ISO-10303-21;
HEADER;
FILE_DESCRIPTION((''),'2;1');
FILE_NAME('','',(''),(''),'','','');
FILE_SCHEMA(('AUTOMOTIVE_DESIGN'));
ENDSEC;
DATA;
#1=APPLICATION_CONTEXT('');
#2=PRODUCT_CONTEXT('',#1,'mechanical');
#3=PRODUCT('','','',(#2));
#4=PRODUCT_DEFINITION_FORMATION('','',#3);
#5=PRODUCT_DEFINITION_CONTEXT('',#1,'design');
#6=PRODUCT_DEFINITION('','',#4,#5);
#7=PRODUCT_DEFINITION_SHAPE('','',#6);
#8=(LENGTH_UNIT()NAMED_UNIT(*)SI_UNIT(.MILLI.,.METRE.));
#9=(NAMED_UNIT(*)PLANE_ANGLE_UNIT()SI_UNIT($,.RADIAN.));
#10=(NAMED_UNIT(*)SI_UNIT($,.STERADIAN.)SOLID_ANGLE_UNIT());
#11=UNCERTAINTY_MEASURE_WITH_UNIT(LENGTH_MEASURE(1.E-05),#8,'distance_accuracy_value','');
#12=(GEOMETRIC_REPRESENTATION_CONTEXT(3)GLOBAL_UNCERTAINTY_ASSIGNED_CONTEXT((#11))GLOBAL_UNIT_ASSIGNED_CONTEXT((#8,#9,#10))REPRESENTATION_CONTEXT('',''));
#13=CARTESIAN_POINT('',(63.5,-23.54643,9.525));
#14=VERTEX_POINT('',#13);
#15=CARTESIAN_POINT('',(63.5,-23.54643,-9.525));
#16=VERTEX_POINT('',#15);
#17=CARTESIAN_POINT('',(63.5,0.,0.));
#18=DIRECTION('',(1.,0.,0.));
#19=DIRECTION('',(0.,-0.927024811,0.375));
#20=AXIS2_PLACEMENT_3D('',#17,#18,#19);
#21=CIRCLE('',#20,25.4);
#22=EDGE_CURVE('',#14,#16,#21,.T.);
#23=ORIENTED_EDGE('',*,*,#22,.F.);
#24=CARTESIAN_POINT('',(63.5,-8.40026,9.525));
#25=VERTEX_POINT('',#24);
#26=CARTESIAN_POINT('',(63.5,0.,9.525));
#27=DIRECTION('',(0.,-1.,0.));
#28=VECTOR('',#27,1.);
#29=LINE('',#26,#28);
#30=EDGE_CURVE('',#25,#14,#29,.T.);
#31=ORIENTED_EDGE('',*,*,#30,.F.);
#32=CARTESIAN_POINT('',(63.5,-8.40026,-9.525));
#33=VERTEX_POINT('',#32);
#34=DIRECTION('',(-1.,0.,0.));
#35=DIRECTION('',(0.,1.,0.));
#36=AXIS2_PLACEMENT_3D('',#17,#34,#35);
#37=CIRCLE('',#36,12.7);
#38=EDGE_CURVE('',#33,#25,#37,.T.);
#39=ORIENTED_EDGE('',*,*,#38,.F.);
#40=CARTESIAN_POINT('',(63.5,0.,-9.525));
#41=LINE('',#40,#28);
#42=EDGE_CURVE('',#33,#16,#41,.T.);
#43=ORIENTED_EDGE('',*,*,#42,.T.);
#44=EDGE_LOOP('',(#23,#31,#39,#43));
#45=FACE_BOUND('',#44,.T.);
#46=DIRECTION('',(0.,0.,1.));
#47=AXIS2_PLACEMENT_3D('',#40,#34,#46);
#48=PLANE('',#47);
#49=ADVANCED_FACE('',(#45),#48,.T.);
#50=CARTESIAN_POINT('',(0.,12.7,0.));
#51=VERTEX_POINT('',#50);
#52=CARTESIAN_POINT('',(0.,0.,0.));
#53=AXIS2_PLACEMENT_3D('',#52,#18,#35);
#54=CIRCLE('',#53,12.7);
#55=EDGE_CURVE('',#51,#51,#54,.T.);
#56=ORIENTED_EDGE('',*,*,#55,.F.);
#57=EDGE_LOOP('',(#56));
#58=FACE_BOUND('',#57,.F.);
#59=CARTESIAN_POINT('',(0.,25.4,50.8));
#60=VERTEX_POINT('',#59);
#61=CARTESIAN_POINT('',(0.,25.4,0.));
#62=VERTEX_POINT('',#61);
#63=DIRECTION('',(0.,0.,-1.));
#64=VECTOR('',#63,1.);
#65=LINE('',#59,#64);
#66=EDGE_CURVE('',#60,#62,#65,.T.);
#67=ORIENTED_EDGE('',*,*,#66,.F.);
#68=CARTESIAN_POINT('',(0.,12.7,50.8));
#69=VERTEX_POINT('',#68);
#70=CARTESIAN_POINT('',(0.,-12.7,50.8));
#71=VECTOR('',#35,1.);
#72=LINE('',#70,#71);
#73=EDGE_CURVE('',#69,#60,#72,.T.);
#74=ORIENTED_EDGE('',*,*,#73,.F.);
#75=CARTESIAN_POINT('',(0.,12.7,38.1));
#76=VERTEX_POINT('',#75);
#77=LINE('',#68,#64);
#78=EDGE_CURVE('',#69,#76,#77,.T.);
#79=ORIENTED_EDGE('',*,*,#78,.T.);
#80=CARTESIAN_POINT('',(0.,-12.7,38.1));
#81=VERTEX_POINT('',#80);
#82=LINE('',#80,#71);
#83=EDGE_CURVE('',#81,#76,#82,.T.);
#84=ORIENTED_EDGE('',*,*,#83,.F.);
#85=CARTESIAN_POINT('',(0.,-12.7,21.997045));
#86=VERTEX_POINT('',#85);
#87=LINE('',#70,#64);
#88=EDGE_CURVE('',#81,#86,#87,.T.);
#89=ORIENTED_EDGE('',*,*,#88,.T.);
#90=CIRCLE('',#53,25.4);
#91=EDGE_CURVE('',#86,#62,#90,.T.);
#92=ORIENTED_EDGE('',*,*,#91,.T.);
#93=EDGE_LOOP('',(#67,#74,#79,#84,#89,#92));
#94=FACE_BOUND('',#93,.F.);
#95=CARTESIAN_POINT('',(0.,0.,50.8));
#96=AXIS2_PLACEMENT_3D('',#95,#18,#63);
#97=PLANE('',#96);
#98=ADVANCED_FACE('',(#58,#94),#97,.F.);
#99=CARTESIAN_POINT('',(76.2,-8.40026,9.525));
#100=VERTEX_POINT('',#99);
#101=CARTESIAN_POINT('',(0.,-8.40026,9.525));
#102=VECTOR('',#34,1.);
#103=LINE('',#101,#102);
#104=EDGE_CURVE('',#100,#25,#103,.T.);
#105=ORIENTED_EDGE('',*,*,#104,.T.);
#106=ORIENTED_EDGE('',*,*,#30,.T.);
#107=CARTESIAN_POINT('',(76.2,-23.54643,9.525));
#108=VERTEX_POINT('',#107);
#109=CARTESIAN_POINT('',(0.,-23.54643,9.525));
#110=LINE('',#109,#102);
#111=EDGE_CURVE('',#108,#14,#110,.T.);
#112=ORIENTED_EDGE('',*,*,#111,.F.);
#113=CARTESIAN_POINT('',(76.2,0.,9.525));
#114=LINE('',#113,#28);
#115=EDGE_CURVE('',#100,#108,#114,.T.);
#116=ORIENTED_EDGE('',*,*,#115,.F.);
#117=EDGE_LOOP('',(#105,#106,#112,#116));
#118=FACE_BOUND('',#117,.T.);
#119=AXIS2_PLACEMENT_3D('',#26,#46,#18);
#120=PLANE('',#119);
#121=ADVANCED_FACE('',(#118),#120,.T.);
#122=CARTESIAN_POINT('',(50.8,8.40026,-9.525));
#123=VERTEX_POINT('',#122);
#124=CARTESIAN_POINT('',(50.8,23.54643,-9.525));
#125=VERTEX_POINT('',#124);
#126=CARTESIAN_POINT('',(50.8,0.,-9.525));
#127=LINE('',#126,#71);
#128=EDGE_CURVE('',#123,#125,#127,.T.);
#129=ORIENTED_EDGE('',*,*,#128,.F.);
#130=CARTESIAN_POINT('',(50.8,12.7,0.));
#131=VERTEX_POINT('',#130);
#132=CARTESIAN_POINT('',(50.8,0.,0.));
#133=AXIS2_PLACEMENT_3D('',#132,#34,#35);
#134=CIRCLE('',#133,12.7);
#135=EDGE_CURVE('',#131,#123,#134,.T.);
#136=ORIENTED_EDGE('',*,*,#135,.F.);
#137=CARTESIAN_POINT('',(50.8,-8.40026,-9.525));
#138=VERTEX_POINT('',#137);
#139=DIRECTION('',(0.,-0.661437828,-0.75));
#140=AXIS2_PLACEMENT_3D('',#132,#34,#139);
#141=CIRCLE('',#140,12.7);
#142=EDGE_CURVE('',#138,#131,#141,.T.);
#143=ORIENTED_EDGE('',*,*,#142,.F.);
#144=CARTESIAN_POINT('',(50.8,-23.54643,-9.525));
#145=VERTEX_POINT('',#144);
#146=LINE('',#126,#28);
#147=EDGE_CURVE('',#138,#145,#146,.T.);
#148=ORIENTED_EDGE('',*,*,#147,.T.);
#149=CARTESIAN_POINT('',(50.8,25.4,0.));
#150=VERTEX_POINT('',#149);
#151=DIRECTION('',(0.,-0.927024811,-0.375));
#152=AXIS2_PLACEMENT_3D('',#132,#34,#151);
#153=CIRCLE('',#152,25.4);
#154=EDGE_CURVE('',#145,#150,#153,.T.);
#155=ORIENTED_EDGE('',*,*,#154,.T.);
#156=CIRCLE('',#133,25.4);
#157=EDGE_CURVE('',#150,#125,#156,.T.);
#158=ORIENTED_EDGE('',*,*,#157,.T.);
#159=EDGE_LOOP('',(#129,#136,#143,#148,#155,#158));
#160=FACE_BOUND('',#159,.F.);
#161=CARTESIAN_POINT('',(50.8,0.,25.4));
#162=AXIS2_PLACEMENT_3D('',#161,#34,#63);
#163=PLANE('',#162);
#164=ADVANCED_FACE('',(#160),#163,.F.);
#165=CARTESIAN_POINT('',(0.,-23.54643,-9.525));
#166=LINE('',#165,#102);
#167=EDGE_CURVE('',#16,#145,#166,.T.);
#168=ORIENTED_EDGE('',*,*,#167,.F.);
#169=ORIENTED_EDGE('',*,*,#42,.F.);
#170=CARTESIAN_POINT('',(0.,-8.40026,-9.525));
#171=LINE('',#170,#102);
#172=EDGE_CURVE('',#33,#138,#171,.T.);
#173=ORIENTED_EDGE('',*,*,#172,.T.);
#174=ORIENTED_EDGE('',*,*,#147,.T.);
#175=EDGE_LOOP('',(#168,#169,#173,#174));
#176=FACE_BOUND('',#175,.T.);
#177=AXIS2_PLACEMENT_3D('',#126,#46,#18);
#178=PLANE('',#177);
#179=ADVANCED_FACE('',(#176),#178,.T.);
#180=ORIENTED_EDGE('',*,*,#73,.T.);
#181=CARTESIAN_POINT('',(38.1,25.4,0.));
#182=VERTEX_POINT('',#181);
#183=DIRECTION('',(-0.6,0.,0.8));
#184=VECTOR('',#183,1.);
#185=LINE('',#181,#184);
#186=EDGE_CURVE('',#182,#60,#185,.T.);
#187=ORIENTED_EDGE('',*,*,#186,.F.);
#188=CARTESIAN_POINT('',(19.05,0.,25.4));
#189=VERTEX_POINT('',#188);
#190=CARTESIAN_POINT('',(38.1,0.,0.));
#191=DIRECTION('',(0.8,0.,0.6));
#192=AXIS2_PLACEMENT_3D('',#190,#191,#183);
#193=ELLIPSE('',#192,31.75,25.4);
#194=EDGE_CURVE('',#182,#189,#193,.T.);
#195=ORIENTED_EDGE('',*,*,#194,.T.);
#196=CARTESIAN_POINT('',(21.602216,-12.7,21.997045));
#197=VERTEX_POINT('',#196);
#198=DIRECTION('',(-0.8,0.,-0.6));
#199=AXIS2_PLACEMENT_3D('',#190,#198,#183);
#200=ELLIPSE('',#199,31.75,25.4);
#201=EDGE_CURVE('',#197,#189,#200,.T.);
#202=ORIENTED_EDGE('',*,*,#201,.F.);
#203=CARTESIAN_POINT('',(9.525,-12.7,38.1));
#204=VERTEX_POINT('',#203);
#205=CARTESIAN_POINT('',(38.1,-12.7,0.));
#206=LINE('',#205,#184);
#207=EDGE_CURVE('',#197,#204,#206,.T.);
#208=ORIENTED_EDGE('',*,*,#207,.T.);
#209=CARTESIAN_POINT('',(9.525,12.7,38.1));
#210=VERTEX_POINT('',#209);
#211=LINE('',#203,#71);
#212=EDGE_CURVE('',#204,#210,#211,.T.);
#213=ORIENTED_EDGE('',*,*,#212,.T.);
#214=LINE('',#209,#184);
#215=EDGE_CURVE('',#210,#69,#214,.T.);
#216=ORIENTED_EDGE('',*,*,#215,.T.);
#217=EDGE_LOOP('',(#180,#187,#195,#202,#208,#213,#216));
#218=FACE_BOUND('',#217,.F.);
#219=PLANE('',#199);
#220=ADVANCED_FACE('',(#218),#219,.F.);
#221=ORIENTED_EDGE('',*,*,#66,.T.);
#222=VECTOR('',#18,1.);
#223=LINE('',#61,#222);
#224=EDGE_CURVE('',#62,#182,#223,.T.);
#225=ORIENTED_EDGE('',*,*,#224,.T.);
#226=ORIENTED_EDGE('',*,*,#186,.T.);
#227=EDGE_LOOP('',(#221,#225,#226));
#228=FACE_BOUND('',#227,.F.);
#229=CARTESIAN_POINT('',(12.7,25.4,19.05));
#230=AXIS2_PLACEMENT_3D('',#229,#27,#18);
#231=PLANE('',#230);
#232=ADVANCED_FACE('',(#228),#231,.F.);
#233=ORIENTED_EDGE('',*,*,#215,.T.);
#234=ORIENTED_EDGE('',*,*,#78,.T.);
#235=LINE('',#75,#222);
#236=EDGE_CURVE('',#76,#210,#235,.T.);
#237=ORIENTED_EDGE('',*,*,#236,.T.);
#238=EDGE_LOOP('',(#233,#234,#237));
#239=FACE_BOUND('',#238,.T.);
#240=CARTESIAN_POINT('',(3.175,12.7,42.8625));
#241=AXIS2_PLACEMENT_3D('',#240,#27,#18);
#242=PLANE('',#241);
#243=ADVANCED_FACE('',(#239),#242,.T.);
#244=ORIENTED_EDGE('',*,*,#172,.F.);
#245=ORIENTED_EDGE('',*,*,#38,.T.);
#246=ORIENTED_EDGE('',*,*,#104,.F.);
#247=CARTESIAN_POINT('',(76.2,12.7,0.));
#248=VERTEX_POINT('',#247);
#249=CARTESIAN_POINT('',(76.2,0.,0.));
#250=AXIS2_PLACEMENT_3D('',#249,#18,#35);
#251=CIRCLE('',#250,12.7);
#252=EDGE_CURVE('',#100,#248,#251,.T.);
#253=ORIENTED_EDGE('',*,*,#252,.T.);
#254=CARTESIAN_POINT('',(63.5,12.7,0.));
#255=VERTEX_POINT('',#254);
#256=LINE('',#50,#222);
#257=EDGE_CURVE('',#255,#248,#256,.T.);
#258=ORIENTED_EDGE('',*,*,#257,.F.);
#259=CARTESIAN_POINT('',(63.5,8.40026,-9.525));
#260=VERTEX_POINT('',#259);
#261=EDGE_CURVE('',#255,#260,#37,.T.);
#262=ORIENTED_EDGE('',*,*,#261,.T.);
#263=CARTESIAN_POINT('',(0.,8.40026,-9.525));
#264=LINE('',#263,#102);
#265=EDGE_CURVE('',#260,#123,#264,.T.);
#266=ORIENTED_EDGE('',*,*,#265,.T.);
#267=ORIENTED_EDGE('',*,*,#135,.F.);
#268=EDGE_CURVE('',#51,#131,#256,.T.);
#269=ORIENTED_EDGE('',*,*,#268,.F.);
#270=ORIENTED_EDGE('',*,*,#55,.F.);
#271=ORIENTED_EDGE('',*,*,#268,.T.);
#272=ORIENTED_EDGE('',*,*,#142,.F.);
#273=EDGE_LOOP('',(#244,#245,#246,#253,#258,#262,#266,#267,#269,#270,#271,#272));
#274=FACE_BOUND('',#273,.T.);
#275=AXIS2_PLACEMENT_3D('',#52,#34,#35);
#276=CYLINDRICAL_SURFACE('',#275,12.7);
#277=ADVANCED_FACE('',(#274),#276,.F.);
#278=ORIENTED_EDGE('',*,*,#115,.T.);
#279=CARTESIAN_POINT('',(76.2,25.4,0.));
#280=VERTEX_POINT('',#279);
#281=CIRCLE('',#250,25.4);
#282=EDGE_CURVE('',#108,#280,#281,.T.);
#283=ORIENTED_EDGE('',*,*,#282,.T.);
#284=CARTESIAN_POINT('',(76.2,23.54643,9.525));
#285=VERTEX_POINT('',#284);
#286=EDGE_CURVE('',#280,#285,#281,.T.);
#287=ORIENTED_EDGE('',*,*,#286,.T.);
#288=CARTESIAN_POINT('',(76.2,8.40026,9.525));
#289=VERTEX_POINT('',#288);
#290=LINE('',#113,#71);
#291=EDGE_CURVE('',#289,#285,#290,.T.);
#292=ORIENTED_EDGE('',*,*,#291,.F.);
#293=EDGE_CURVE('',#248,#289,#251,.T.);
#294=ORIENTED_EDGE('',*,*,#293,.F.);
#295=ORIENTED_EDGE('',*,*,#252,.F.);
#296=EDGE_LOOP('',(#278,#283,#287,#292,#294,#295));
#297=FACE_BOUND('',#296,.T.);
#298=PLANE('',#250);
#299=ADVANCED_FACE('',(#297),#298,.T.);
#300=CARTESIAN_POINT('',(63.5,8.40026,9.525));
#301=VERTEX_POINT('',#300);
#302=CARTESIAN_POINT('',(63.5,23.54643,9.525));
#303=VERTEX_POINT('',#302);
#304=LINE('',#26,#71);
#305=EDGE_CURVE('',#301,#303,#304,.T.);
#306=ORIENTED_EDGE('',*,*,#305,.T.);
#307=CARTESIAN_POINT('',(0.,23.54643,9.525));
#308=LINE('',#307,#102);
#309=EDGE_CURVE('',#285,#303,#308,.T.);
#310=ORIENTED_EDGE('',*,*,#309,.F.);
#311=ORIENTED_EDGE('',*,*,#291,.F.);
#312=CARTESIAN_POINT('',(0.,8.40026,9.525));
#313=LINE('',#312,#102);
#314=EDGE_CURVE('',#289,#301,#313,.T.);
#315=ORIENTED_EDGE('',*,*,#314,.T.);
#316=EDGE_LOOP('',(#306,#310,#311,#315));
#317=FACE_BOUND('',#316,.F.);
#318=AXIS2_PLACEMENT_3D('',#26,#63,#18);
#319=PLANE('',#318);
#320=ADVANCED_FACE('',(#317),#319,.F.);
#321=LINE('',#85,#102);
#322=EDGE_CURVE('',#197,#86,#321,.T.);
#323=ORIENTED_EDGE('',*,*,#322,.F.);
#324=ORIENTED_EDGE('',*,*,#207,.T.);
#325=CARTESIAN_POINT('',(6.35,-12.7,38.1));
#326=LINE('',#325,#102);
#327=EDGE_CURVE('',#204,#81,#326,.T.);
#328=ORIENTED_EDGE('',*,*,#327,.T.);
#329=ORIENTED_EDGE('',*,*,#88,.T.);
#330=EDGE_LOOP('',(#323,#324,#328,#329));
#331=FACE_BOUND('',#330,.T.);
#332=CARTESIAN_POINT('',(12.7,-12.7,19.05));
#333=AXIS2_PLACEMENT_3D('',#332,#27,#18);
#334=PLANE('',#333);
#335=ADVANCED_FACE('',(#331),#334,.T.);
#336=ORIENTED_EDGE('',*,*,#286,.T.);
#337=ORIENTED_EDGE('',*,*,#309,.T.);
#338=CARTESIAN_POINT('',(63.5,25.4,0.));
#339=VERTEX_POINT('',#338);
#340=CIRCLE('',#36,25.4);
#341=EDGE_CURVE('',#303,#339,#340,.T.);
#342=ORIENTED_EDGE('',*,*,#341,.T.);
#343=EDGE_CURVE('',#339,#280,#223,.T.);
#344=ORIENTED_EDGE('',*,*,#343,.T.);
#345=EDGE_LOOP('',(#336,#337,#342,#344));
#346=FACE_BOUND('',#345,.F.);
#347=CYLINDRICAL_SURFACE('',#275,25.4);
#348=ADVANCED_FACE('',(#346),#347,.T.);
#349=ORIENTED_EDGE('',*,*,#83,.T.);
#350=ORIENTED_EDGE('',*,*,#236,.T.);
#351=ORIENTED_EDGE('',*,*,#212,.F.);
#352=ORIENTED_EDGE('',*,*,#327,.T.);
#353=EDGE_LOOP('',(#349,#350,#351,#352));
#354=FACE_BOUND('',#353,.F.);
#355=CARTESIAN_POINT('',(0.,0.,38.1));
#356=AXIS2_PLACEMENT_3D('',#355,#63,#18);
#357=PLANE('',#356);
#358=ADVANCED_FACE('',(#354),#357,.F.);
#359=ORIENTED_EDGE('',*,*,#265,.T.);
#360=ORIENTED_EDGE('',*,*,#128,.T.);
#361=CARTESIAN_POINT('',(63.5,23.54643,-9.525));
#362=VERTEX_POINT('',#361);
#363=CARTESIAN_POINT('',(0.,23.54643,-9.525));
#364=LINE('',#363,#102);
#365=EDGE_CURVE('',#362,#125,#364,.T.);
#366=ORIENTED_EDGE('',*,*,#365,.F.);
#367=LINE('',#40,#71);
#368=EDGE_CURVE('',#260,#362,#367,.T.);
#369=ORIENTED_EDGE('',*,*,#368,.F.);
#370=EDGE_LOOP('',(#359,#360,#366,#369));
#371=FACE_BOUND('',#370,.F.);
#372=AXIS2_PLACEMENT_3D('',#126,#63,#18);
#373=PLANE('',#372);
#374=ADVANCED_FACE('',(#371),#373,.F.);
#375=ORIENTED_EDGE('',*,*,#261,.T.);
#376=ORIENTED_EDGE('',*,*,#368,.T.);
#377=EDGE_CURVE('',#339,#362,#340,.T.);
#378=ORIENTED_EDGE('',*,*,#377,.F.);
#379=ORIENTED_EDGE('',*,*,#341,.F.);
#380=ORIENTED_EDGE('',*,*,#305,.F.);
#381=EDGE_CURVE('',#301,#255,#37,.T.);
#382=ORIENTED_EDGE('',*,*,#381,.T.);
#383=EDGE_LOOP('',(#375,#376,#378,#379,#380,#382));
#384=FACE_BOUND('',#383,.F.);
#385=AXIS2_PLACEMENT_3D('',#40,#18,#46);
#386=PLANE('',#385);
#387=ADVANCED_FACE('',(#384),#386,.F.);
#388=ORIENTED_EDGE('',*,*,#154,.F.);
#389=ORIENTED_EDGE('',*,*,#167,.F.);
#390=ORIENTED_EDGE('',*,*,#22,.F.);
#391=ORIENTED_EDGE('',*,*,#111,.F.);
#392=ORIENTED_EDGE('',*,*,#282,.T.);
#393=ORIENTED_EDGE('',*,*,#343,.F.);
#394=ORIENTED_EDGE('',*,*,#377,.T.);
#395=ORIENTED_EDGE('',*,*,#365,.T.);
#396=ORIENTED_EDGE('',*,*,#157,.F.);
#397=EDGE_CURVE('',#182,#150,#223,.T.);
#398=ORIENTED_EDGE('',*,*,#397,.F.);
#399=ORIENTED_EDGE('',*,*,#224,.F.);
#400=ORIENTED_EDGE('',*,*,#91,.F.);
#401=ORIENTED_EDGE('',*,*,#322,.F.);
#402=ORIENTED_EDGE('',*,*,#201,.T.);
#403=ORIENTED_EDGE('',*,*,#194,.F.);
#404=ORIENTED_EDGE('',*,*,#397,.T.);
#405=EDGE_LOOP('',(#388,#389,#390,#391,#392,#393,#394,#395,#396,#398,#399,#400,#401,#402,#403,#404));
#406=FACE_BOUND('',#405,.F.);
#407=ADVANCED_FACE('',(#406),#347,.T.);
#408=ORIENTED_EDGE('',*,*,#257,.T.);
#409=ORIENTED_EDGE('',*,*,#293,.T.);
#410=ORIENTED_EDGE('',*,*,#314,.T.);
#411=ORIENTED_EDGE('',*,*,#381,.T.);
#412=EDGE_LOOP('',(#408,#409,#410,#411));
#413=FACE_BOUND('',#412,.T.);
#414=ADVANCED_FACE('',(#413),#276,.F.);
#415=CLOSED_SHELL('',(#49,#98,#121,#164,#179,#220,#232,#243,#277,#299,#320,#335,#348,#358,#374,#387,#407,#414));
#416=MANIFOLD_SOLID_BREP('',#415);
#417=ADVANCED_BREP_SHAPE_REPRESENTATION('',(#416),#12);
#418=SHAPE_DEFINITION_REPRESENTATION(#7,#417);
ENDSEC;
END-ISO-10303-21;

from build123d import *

# Parameters (mm, degrees)
F0_R          = 25.4
F0_R_2        = 12.7
F1_DEPTH      = 76.2
F3_DEPTH      = 25.401
F3_DEPTH_BACK = 25.4
F5_DEPTH      = 25.4
F5_DEPTH_BACK = 12.7
F7_DEPTH      = 25.4
F7_DEPTH_BACK = 12.7
F8_R          = 12.7
F9_DEPTH      = 76.201


with BuildPart() as f1:
    # F0 (on Right) → F1 (new body)
    with BuildSketch(Plane.YZ):
        Circle(F0_R)
        Circle(F0_R_2, mode=Mode.SUBTRACT)
    extrude(amount=F1_DEPTH)

    # F2 (on Front) → F3 (cut, two sides)
    with BuildSketch(Plane.XZ) as f3_sk:
        Polygon((76.2, 25.4), (50.8, 25.4), (50.8, -9.525), (63.5, -9.525), (63.5, 9.525), (76.2, 9.525), align=None)
    extrude(amount=-F3_DEPTH, mode=Mode.SUBTRACT)
    extrude(f3_sk.sketch, amount=F3_DEPTH_BACK, mode=Mode.SUBTRACT)

    # F4 (on Front) → F5 (join, two sides)
    with BuildSketch(Plane.XZ) as f5_sk:
        Polygon((0, 50.8), (0, 0), (38.1, 0), align=None)
    extrude(amount=-F5_DEPTH)
    extrude(f5_sk.sketch, amount=F5_DEPTH_BACK)

    # F6 (on Front) → F7 (cut, two sides)
    with BuildSketch(Plane.XZ) as f7_sk:
        Polygon((0, 50.8), (0, 38.1), (9.525, 38.1), align=None)
    extrude(amount=F7_DEPTH, mode=Mode.SUBTRACT)
    extrude(f7_sk.sketch, amount=-F7_DEPTH_BACK, mode=Mode.SUBTRACT)

    # F8 (on Right) → F9 (cut, through all)
    with BuildSketch(Plane.YZ):
        Circle(F8_R)
    extrude(amount=F9_DEPTH, mode=Mode.SUBTRACT)


solid = f1.part
